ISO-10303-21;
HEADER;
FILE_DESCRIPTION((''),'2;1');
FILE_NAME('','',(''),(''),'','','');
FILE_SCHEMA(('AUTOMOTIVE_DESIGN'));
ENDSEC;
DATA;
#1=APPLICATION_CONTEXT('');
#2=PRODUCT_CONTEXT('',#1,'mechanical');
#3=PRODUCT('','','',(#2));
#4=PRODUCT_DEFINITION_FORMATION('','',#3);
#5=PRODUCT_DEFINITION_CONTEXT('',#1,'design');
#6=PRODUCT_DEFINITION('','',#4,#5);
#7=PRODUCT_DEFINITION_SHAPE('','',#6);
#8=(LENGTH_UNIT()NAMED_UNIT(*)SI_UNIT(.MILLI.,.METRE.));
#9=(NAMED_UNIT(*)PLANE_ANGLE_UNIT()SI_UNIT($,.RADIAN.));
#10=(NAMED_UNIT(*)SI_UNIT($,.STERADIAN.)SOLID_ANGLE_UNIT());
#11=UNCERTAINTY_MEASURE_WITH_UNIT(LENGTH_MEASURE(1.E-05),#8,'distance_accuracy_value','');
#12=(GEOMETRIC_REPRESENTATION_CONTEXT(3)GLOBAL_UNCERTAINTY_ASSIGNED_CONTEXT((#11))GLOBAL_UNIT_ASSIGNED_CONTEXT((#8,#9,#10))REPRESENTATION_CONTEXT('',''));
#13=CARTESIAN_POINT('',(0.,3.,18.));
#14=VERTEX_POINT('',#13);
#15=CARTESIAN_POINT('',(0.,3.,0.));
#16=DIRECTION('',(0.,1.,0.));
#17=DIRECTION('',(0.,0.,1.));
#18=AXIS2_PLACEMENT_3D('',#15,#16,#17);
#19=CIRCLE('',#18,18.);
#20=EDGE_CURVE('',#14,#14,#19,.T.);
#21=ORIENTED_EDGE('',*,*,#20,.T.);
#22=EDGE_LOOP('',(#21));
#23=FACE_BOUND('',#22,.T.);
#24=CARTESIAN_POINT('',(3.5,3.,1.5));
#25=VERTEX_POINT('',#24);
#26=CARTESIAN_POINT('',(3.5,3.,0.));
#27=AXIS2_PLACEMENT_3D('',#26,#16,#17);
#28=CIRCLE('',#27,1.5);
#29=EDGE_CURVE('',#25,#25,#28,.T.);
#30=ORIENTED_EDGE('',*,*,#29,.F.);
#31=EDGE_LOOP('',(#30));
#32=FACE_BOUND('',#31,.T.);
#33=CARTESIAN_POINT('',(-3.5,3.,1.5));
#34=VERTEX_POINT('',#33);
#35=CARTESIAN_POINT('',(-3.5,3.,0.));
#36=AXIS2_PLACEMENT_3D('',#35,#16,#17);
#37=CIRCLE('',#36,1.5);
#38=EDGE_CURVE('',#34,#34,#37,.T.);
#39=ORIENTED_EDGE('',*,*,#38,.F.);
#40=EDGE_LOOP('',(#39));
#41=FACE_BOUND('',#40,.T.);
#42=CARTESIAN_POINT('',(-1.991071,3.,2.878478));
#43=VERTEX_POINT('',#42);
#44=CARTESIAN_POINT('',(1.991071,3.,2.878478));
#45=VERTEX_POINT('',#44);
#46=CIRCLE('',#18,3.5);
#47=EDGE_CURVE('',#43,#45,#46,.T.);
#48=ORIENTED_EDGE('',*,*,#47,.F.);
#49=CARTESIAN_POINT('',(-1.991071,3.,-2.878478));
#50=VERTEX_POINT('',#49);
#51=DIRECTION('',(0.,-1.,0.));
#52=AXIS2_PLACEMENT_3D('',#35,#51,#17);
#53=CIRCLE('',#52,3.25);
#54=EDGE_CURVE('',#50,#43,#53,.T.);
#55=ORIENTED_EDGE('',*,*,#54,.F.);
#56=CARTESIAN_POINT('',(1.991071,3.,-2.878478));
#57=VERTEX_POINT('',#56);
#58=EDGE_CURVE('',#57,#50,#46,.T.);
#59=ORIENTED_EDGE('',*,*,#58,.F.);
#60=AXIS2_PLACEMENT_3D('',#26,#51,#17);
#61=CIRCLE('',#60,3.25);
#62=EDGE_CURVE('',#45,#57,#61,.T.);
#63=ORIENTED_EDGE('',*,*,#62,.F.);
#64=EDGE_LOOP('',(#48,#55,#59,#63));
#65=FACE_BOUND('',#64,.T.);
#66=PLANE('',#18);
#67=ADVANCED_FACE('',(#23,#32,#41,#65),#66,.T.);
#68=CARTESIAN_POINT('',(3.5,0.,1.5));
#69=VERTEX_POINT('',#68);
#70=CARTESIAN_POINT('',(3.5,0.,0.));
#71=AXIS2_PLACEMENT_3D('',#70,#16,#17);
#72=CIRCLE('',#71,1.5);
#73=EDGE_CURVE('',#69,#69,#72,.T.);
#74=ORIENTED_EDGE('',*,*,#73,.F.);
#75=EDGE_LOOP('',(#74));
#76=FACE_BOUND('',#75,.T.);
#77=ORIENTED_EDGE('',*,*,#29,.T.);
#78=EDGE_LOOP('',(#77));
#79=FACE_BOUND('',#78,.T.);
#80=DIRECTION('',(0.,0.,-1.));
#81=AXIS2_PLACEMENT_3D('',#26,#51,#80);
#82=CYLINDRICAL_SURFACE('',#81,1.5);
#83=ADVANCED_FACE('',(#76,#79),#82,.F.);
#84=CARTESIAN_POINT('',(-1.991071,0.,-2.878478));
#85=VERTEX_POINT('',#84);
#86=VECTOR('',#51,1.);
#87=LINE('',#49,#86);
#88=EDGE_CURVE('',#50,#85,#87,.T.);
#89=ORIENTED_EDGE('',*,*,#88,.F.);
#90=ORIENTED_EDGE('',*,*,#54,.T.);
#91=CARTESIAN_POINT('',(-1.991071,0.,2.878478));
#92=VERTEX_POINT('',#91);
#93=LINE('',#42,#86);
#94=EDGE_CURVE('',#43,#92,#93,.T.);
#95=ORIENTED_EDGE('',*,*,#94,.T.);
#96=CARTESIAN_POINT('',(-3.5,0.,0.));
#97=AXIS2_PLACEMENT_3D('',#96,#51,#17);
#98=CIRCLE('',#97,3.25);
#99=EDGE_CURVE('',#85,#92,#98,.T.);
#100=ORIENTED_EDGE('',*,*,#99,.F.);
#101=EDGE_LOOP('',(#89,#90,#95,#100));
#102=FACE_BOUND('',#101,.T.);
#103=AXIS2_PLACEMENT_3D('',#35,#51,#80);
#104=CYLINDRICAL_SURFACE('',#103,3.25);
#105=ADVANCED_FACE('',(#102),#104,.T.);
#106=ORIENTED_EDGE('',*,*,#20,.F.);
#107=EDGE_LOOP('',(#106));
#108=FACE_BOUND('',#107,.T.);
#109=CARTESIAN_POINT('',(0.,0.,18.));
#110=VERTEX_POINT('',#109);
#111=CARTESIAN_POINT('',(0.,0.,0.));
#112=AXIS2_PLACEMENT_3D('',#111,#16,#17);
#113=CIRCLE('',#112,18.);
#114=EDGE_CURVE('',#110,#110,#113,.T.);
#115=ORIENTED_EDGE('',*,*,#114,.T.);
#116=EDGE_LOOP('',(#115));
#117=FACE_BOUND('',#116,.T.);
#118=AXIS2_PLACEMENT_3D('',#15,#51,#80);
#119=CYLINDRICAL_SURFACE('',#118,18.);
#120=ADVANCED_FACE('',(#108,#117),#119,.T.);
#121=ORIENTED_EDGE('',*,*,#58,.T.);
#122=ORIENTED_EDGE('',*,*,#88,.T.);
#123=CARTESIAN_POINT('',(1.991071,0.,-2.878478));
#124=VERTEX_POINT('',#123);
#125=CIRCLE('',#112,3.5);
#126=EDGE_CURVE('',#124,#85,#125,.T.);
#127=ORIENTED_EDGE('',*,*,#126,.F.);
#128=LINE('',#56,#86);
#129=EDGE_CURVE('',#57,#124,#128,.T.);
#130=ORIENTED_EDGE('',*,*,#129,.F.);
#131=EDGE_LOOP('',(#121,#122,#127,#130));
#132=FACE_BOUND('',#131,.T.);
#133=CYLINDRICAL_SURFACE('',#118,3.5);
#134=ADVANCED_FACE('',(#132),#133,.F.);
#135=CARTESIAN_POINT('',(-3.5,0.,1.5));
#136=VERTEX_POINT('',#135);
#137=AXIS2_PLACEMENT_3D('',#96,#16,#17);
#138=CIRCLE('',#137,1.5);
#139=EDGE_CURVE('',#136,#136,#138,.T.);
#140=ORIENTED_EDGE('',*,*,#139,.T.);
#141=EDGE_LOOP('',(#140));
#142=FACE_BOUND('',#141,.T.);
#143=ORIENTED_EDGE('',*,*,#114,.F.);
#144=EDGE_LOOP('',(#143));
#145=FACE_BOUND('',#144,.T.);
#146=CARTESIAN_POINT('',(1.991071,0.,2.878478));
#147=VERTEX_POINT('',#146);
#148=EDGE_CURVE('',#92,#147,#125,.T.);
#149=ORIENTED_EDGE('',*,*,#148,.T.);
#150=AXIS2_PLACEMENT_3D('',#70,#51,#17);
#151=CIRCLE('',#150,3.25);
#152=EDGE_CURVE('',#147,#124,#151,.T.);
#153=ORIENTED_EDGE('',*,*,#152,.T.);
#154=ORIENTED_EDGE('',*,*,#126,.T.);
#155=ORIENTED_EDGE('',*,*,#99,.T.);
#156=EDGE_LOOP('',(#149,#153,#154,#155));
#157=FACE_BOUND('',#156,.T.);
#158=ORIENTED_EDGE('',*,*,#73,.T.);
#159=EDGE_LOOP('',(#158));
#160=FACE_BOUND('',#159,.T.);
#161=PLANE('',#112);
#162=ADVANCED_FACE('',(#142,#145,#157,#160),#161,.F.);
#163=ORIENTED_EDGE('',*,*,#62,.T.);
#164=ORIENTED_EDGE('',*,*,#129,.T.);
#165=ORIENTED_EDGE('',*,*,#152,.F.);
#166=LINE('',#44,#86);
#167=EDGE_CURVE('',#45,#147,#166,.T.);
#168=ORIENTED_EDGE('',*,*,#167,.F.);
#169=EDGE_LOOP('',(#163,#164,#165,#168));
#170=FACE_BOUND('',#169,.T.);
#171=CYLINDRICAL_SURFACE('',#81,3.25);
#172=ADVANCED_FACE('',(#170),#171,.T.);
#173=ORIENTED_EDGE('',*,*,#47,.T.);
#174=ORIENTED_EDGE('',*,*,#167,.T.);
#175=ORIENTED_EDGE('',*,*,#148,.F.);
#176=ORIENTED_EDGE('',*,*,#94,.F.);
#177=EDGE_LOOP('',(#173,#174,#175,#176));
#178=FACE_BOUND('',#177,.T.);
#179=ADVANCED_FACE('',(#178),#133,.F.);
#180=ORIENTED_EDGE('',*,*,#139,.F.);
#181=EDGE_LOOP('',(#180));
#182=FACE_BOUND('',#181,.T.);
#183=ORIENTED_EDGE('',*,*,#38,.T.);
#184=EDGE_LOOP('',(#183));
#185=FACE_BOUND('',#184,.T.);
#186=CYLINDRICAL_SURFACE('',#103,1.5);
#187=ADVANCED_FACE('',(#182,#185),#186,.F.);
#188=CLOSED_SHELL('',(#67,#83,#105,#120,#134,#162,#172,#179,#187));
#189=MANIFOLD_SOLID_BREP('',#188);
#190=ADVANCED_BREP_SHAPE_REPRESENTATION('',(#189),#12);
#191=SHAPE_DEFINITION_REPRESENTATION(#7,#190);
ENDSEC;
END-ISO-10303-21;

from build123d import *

# Parameters (mm, degrees)
ESQUISSE1_R        = 18
ESQUISSE1_R_2      = 1.5
BOSS_EXTRU_1_DEPTH = 3


with BuildPart() as part:
    # Esquisse1 → Boss.-Extru.1 (new body)
    with BuildSketch(Plane(origin=(0, 0, 0), x_dir=(1, 0, 0), z_dir=(0, 1, 0))):
        Circle(ESQUISSE1_R)
        with Locations((-3.5, 0)):
            Circle(ESQUISSE1_R_2, mode=Mode.SUBTRACT)
        with Locations((3.5, 0)):
            Circle(ESQUISSE1_R_2, mode=Mode.SUBTRACT)
        with BuildLine():
            ThreePointArc((1.991071429, 2.878477821), (0.25, 0), (1.991071429, -2.878477821))
            ThreePointArc((1.991071429, -2.878477821), (0, -3.5), (-1.991071429, -2.878477821))
            ThreePointArc((-1.991071429, -2.878477821), (-0.25, 0), (-1.991071429, 2.878477821))
            ThreePointArc((-1.991071429, 2.878477821), (0, 3.5), (1.991071429, 2.878477821))
        make_face(mode=Mode.SUBTRACT)
    extrude(amount=BOSS_EXTRU_1_DEPTH)


solid = part.part
